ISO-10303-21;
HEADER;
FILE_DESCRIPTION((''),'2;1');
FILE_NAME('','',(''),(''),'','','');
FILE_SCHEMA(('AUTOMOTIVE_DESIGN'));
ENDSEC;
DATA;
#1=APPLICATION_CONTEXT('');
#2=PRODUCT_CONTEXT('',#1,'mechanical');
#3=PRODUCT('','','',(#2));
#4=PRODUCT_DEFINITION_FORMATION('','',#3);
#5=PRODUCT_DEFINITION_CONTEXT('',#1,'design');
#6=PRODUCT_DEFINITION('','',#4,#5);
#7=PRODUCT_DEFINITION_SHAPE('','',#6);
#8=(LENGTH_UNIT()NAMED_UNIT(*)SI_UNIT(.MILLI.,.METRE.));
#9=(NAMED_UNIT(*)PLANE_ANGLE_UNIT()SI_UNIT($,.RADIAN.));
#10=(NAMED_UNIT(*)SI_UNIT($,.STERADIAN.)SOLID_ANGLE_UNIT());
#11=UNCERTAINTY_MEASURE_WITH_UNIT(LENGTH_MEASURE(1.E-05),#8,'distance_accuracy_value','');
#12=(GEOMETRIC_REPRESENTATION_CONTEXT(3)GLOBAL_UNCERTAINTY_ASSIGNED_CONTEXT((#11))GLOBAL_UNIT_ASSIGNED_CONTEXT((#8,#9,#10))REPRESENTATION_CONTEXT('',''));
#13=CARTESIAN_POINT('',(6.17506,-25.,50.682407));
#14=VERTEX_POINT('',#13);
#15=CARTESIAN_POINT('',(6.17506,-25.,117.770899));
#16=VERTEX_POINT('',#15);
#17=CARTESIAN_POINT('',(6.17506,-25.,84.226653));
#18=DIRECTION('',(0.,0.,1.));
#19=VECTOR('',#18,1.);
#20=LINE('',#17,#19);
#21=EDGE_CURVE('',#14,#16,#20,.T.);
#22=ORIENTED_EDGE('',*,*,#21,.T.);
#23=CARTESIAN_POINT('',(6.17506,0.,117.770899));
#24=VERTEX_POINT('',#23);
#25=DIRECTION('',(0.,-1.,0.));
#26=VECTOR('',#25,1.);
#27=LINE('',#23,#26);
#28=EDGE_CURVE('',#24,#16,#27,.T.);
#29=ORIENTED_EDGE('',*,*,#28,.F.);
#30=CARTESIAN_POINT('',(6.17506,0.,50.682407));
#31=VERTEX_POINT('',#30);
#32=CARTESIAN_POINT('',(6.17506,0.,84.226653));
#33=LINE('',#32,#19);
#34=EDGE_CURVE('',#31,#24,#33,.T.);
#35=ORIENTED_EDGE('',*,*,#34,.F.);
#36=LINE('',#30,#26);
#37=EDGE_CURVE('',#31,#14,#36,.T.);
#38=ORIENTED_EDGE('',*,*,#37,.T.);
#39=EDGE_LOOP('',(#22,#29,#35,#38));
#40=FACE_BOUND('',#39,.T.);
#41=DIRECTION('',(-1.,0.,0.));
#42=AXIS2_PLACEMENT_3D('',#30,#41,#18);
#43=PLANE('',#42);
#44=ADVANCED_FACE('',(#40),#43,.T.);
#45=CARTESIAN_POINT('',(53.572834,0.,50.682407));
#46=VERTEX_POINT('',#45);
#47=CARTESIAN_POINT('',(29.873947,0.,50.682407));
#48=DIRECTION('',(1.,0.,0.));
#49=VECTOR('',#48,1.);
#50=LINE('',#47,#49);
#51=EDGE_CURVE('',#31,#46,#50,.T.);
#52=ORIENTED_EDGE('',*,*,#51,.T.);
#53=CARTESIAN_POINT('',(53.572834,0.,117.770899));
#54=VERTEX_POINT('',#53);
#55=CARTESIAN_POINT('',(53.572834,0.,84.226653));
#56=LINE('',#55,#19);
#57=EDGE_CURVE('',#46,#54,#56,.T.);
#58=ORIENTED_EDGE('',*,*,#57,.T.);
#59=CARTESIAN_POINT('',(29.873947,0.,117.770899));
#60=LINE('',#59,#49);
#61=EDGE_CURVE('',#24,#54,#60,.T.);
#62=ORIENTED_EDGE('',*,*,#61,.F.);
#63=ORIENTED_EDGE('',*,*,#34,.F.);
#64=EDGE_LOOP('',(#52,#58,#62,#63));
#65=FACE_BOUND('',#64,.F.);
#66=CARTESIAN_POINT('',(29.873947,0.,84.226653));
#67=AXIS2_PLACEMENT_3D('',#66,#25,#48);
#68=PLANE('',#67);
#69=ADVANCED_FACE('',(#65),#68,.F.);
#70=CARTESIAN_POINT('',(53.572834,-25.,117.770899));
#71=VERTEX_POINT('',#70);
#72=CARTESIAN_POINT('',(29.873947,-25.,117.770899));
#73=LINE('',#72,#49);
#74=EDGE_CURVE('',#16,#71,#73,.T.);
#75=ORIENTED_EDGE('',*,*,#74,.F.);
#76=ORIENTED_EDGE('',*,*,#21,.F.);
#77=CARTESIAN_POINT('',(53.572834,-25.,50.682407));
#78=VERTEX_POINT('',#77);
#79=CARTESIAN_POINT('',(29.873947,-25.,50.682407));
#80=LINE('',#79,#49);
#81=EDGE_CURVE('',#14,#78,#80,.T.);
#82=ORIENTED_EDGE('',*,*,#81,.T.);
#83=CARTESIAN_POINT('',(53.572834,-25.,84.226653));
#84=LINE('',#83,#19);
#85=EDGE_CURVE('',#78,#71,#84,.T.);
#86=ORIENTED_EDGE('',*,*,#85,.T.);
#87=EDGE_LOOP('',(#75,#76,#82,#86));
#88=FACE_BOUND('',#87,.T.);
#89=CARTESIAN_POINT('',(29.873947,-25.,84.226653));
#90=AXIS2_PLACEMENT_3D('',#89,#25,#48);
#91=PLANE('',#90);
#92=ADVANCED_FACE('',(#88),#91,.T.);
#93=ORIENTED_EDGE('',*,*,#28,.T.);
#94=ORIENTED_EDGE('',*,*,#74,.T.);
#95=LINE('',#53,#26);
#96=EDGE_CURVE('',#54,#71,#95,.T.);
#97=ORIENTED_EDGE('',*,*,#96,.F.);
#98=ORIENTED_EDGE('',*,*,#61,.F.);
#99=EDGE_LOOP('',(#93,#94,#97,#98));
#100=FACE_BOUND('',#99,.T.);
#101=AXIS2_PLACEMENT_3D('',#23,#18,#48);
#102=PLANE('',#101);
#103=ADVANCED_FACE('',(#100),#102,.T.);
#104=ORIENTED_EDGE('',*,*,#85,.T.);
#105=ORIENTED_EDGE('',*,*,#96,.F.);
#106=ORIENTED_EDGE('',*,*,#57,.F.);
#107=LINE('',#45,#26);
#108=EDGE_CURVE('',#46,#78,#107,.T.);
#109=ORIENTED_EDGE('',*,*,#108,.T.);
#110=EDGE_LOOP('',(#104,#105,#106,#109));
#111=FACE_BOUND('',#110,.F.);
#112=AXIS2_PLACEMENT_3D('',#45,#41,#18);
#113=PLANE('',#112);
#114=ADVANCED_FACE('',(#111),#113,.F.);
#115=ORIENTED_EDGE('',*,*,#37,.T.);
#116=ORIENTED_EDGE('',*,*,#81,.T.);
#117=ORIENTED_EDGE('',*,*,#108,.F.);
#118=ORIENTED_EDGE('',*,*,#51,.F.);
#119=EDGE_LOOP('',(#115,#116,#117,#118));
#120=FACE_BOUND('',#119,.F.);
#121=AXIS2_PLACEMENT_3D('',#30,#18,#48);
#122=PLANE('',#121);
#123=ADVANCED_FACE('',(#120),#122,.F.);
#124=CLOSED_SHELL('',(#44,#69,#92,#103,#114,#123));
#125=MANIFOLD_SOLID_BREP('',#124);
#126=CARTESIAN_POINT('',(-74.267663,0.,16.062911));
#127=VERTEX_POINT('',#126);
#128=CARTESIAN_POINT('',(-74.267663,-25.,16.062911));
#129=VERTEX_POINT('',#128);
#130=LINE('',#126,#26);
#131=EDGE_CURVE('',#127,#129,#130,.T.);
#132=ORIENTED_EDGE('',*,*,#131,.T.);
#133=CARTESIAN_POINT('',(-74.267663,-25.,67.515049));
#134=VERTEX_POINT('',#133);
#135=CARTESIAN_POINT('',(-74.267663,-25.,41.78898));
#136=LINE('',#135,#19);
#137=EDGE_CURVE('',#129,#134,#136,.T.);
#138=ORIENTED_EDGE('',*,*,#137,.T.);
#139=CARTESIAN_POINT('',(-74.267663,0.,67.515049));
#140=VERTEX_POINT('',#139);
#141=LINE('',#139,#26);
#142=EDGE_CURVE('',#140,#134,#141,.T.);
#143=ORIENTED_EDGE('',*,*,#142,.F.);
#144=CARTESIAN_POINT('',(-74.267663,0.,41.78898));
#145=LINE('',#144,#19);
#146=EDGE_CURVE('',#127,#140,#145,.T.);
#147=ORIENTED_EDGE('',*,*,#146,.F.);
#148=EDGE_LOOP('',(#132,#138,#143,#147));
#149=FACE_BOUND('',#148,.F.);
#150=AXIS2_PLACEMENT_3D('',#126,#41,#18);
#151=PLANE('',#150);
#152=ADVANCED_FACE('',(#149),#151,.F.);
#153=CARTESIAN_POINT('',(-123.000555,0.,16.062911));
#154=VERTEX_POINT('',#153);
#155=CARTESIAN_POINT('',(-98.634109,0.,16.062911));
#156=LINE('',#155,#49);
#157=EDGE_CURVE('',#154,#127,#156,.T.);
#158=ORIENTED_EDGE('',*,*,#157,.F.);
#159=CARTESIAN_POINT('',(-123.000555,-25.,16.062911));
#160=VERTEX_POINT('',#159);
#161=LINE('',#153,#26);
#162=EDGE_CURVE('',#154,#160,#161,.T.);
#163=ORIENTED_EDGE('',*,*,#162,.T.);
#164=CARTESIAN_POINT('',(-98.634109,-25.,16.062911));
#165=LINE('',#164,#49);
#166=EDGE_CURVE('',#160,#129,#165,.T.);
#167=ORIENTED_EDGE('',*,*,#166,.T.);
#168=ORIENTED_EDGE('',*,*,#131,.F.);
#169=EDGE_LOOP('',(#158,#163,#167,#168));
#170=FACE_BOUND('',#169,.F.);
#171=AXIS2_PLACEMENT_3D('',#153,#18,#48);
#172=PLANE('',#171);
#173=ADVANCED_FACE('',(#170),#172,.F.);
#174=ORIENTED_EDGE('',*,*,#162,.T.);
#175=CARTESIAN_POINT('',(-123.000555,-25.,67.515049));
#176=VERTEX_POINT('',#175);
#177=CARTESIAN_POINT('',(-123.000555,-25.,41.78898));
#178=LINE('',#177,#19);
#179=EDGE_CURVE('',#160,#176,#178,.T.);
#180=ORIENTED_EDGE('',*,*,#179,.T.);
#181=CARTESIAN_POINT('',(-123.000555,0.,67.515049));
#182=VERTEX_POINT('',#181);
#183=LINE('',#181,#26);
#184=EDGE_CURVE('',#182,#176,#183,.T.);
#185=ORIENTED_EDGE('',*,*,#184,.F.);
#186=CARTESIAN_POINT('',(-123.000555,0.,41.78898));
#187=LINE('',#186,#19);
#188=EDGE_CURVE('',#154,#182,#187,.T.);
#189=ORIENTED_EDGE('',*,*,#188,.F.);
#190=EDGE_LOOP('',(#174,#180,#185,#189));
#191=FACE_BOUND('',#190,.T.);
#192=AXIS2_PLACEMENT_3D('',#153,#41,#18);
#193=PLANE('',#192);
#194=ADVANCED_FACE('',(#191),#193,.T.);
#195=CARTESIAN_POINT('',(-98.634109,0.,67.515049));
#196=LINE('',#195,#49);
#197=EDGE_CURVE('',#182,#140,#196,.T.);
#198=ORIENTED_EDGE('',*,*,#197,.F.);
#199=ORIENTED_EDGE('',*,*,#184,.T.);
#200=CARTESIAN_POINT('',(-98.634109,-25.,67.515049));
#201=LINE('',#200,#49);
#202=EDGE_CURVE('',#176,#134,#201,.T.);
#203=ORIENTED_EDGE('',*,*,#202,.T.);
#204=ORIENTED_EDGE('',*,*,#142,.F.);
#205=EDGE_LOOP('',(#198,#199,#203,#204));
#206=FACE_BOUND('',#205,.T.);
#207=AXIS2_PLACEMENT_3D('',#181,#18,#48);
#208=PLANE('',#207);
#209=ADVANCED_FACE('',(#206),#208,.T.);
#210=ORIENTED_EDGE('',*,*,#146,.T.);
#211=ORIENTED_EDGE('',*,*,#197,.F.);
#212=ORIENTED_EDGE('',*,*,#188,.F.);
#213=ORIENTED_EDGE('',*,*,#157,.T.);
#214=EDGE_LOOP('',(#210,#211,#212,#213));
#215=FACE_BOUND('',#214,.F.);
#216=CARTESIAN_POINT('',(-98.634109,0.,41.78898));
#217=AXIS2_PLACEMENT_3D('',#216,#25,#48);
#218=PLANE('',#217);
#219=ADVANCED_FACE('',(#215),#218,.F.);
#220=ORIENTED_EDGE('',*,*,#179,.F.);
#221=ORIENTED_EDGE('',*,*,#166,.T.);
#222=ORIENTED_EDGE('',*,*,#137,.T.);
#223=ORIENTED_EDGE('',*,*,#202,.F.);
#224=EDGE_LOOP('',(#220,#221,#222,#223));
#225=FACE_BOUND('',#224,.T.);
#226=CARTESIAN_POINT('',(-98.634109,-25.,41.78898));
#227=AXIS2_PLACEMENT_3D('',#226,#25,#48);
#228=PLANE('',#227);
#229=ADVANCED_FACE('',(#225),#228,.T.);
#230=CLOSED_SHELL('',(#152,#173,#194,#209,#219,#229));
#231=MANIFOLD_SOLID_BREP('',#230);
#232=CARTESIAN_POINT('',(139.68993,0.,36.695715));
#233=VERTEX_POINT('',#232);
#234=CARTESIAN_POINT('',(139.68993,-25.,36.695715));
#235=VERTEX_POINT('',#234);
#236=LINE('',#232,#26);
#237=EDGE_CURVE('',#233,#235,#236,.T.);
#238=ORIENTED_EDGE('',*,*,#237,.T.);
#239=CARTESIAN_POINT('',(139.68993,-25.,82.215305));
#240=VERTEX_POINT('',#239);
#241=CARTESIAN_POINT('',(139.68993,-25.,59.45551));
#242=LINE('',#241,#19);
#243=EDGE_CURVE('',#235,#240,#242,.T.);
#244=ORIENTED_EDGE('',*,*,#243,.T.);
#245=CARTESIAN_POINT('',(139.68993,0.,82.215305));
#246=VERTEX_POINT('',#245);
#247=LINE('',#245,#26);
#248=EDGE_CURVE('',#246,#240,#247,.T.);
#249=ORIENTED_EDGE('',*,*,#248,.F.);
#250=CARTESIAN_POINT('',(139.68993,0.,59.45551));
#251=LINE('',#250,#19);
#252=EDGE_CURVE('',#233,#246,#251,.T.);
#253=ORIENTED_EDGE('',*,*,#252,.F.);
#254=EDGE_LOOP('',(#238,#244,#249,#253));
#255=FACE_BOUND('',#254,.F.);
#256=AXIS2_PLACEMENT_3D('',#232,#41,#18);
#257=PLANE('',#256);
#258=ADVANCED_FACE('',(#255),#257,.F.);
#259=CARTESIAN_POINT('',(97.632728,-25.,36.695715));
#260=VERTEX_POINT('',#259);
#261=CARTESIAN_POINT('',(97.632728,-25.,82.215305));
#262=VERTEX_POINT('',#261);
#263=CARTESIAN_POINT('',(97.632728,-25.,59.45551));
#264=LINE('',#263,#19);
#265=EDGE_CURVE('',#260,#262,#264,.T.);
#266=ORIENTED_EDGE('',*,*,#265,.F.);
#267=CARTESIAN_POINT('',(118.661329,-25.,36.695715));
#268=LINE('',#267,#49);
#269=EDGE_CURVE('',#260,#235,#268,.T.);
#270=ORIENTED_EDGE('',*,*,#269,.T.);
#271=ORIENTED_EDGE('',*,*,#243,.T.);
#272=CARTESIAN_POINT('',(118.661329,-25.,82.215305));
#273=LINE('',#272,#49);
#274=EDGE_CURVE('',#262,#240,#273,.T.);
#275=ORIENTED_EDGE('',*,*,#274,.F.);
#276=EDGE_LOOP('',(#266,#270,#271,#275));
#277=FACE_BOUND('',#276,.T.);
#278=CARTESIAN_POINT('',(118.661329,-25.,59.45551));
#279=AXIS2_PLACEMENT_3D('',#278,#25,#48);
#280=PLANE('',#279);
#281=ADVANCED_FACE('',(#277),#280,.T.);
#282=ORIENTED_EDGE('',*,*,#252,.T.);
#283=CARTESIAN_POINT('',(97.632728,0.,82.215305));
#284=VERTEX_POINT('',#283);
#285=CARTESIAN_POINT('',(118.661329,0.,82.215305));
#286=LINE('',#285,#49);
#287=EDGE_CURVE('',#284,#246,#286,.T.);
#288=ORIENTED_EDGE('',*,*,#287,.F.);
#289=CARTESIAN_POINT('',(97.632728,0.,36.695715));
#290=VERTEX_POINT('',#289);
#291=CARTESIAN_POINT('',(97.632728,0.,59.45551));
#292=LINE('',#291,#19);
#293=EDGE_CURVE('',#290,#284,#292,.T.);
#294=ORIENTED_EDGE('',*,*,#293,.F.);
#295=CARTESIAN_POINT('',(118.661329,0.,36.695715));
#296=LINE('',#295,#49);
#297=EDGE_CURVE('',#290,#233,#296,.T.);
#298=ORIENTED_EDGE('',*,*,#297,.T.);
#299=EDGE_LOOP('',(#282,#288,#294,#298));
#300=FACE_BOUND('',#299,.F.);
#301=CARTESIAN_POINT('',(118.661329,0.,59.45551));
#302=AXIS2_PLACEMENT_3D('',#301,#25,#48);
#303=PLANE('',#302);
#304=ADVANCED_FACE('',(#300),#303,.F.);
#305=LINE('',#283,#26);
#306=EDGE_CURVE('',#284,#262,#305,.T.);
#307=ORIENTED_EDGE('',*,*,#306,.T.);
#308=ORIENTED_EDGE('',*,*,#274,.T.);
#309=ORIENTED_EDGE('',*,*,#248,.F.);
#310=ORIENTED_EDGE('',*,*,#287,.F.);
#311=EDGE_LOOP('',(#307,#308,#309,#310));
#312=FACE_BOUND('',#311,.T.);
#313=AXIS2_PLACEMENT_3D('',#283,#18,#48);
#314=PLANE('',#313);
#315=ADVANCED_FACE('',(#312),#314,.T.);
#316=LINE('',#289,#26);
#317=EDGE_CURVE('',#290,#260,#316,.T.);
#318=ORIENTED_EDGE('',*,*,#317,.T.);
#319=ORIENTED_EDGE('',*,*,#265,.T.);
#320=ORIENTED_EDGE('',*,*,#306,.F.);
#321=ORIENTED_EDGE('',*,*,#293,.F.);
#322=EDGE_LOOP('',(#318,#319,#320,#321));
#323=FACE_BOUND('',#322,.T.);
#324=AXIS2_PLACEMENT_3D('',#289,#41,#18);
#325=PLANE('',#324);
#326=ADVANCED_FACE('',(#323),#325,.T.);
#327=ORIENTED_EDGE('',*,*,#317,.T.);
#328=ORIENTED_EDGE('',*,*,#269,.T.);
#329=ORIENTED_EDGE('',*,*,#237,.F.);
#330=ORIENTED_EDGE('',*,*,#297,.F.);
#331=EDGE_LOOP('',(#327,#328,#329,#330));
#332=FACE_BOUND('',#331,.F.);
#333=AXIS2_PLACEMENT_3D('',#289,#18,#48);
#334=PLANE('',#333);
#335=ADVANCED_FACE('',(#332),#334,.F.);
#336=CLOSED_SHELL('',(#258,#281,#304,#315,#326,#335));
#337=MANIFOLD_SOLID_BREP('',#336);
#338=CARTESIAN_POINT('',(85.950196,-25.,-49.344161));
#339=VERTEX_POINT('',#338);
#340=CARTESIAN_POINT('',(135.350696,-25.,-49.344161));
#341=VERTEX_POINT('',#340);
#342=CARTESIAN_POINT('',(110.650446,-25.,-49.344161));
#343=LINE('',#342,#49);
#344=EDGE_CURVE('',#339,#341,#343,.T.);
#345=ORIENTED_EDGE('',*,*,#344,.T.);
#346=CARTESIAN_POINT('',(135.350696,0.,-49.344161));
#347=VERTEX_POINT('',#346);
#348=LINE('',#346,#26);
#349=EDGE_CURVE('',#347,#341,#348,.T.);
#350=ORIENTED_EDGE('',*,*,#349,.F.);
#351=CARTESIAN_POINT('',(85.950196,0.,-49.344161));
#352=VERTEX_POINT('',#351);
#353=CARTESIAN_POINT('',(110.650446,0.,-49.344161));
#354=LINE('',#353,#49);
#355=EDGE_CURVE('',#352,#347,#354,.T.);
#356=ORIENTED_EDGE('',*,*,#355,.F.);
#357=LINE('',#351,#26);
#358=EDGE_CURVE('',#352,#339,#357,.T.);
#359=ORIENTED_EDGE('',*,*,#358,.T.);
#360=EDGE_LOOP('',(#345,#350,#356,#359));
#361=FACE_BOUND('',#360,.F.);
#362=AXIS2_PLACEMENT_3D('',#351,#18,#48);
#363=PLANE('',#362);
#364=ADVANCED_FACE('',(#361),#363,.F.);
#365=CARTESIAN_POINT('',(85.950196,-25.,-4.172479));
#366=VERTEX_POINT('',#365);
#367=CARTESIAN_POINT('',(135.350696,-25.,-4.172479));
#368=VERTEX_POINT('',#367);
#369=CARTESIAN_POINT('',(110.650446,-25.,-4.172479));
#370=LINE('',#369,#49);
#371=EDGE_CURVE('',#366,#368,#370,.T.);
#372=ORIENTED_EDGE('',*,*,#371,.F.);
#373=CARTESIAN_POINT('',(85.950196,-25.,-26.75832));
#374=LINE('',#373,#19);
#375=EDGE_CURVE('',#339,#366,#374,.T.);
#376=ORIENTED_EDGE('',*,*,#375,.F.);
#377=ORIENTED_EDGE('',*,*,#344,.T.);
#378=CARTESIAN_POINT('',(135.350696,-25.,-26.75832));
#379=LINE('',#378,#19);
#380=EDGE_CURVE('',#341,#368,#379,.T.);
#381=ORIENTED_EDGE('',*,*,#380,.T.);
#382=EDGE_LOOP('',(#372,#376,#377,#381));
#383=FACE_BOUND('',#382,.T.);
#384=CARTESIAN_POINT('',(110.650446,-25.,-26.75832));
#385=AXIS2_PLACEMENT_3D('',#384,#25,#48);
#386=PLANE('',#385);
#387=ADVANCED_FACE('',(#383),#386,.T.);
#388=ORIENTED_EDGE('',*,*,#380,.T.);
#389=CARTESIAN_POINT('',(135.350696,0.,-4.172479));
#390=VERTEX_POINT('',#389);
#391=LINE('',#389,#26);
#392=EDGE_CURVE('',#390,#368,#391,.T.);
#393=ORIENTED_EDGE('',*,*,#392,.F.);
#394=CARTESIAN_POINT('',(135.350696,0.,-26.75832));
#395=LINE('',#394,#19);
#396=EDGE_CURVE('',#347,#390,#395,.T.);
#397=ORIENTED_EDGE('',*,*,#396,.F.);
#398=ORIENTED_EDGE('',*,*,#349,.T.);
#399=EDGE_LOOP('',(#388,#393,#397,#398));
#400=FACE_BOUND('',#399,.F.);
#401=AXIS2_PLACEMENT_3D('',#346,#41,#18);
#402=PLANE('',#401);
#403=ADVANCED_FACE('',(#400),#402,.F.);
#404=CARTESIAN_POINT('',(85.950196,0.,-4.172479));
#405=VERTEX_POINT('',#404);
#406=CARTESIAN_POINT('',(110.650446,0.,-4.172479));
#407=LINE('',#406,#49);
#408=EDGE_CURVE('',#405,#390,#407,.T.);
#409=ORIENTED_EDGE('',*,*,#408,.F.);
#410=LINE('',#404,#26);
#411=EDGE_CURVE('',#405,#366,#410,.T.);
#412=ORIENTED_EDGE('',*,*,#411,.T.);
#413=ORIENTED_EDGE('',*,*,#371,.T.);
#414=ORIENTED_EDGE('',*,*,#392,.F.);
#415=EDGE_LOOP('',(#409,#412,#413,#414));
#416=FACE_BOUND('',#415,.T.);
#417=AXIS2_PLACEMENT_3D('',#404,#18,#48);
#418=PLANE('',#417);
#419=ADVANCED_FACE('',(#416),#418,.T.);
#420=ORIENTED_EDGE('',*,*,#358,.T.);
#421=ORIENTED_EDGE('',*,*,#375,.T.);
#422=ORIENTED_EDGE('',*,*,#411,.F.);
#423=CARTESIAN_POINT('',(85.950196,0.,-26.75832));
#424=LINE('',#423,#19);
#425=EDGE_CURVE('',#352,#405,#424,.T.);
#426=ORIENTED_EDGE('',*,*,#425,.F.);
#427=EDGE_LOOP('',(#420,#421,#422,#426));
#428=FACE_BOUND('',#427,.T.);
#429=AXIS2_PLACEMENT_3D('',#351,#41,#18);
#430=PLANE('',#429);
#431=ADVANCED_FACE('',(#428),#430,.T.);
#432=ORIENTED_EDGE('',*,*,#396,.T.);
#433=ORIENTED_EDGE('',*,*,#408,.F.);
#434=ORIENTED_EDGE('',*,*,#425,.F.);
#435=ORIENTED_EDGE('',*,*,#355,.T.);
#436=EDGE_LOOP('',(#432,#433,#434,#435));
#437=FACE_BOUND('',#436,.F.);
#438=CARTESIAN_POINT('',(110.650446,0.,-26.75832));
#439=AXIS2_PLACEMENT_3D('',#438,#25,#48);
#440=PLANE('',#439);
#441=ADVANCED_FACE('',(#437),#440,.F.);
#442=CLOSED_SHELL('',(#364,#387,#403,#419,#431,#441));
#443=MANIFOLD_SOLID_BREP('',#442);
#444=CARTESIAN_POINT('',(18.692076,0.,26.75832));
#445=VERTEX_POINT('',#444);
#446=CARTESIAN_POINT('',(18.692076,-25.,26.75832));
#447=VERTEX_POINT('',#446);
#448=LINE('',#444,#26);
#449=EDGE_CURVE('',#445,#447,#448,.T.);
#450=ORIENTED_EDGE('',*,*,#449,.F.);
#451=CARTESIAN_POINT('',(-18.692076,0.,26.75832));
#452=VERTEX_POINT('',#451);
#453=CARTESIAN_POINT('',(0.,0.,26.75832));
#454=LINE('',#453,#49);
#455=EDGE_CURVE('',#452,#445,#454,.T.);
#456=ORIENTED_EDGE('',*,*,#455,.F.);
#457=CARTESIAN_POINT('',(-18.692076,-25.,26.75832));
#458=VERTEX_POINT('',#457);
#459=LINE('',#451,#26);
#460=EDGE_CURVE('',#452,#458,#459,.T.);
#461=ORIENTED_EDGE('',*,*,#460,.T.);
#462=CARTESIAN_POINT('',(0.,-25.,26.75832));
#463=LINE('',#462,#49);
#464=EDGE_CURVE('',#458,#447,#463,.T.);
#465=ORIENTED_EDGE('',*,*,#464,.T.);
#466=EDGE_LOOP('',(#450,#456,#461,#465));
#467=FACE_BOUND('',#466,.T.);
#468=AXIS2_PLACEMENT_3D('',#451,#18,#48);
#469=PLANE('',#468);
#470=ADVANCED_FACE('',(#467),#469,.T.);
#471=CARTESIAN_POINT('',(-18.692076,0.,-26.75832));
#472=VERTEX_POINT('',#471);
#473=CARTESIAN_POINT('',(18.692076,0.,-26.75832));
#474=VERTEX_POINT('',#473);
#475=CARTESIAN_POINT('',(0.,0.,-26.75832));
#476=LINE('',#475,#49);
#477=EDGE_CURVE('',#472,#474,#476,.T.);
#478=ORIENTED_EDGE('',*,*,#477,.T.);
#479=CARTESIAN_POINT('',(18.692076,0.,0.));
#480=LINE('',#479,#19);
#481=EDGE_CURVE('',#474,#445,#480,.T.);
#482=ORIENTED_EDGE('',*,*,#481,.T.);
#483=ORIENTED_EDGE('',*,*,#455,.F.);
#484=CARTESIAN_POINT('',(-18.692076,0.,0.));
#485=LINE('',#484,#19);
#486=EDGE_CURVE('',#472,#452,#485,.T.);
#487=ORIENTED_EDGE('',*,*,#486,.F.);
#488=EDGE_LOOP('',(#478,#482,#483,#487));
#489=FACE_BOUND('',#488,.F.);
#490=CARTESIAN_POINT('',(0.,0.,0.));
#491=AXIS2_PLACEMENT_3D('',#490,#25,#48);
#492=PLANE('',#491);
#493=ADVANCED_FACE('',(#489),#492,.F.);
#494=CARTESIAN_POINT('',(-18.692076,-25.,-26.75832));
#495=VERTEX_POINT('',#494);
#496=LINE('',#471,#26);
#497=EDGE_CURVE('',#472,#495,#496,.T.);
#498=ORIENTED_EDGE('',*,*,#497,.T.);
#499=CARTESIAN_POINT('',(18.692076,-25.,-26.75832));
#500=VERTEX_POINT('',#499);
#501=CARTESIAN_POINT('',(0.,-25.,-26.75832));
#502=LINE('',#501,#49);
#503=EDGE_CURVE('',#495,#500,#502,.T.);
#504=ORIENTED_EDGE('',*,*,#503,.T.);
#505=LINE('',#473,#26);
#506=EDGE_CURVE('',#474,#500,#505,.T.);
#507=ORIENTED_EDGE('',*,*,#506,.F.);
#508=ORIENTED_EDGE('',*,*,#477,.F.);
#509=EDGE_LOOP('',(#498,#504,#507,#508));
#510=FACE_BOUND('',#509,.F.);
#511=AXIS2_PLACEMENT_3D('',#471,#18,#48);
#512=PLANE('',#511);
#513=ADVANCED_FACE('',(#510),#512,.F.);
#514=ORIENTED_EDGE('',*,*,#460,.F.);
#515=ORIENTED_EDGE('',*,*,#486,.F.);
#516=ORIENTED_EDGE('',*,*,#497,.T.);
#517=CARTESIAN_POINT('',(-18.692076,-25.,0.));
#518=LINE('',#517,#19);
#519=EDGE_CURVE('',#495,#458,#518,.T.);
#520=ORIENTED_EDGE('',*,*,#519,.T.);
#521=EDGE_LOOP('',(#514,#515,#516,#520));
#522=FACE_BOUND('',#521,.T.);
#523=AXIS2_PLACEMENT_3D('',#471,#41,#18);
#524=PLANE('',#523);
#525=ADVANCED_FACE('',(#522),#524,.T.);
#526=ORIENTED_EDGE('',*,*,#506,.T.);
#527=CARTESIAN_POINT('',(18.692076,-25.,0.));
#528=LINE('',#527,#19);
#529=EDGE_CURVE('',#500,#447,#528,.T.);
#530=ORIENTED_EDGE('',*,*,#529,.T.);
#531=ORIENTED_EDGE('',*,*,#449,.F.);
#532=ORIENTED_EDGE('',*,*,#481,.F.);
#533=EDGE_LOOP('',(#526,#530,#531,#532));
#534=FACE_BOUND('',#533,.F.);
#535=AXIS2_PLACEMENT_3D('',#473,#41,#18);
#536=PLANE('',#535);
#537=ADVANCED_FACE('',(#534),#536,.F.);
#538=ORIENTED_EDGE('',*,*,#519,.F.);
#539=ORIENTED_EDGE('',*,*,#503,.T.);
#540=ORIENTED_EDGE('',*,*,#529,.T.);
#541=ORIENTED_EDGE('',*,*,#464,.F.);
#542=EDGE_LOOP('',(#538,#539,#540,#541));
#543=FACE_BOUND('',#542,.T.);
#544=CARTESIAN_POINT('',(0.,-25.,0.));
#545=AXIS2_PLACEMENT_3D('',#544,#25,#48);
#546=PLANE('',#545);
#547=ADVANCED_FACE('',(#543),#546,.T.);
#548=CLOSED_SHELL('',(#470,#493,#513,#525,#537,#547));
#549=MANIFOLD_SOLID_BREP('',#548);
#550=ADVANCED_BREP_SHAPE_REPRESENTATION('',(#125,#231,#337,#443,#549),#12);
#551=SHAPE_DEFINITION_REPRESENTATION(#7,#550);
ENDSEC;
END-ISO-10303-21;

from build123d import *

# Parameters (mm, degrees)
F0_W     = 37.384152
F0_H     = 53.51664
F0_W_2   = 47.397774
F0_H_2   = 67.088492
F0_W_3   = 42.057201
F0_H_3   = 45.51959
F0_W_4   = 49.400501
F0_H_4   = 45.171682
F0_W_5   = 48.732892
F0_H_5   = 51.452137
F1_DEPTH = 25


with BuildPart() as f1:
    # F0 (on Front) → F1 (new body)
    with BuildSketch(Plane.XZ):
        Rectangle(F0_W, F0_H)
        with Locations((29.873947, 84.226653)):
            Rectangle(F0_W_2, F0_H_2)
        with Locations((118.661329, 59.45551)):
            Rectangle(F0_W_3, F0_H_3)
        with Locations((110.650446, -26.75832)):
            Rectangle(F0_W_4, F0_H_4)
        with Locations((-98.634109, 41.78898)):
            Rectangle(F0_W_5, F0_H_5)
    extrude(amount=F1_DEPTH)


solid = f1.part
